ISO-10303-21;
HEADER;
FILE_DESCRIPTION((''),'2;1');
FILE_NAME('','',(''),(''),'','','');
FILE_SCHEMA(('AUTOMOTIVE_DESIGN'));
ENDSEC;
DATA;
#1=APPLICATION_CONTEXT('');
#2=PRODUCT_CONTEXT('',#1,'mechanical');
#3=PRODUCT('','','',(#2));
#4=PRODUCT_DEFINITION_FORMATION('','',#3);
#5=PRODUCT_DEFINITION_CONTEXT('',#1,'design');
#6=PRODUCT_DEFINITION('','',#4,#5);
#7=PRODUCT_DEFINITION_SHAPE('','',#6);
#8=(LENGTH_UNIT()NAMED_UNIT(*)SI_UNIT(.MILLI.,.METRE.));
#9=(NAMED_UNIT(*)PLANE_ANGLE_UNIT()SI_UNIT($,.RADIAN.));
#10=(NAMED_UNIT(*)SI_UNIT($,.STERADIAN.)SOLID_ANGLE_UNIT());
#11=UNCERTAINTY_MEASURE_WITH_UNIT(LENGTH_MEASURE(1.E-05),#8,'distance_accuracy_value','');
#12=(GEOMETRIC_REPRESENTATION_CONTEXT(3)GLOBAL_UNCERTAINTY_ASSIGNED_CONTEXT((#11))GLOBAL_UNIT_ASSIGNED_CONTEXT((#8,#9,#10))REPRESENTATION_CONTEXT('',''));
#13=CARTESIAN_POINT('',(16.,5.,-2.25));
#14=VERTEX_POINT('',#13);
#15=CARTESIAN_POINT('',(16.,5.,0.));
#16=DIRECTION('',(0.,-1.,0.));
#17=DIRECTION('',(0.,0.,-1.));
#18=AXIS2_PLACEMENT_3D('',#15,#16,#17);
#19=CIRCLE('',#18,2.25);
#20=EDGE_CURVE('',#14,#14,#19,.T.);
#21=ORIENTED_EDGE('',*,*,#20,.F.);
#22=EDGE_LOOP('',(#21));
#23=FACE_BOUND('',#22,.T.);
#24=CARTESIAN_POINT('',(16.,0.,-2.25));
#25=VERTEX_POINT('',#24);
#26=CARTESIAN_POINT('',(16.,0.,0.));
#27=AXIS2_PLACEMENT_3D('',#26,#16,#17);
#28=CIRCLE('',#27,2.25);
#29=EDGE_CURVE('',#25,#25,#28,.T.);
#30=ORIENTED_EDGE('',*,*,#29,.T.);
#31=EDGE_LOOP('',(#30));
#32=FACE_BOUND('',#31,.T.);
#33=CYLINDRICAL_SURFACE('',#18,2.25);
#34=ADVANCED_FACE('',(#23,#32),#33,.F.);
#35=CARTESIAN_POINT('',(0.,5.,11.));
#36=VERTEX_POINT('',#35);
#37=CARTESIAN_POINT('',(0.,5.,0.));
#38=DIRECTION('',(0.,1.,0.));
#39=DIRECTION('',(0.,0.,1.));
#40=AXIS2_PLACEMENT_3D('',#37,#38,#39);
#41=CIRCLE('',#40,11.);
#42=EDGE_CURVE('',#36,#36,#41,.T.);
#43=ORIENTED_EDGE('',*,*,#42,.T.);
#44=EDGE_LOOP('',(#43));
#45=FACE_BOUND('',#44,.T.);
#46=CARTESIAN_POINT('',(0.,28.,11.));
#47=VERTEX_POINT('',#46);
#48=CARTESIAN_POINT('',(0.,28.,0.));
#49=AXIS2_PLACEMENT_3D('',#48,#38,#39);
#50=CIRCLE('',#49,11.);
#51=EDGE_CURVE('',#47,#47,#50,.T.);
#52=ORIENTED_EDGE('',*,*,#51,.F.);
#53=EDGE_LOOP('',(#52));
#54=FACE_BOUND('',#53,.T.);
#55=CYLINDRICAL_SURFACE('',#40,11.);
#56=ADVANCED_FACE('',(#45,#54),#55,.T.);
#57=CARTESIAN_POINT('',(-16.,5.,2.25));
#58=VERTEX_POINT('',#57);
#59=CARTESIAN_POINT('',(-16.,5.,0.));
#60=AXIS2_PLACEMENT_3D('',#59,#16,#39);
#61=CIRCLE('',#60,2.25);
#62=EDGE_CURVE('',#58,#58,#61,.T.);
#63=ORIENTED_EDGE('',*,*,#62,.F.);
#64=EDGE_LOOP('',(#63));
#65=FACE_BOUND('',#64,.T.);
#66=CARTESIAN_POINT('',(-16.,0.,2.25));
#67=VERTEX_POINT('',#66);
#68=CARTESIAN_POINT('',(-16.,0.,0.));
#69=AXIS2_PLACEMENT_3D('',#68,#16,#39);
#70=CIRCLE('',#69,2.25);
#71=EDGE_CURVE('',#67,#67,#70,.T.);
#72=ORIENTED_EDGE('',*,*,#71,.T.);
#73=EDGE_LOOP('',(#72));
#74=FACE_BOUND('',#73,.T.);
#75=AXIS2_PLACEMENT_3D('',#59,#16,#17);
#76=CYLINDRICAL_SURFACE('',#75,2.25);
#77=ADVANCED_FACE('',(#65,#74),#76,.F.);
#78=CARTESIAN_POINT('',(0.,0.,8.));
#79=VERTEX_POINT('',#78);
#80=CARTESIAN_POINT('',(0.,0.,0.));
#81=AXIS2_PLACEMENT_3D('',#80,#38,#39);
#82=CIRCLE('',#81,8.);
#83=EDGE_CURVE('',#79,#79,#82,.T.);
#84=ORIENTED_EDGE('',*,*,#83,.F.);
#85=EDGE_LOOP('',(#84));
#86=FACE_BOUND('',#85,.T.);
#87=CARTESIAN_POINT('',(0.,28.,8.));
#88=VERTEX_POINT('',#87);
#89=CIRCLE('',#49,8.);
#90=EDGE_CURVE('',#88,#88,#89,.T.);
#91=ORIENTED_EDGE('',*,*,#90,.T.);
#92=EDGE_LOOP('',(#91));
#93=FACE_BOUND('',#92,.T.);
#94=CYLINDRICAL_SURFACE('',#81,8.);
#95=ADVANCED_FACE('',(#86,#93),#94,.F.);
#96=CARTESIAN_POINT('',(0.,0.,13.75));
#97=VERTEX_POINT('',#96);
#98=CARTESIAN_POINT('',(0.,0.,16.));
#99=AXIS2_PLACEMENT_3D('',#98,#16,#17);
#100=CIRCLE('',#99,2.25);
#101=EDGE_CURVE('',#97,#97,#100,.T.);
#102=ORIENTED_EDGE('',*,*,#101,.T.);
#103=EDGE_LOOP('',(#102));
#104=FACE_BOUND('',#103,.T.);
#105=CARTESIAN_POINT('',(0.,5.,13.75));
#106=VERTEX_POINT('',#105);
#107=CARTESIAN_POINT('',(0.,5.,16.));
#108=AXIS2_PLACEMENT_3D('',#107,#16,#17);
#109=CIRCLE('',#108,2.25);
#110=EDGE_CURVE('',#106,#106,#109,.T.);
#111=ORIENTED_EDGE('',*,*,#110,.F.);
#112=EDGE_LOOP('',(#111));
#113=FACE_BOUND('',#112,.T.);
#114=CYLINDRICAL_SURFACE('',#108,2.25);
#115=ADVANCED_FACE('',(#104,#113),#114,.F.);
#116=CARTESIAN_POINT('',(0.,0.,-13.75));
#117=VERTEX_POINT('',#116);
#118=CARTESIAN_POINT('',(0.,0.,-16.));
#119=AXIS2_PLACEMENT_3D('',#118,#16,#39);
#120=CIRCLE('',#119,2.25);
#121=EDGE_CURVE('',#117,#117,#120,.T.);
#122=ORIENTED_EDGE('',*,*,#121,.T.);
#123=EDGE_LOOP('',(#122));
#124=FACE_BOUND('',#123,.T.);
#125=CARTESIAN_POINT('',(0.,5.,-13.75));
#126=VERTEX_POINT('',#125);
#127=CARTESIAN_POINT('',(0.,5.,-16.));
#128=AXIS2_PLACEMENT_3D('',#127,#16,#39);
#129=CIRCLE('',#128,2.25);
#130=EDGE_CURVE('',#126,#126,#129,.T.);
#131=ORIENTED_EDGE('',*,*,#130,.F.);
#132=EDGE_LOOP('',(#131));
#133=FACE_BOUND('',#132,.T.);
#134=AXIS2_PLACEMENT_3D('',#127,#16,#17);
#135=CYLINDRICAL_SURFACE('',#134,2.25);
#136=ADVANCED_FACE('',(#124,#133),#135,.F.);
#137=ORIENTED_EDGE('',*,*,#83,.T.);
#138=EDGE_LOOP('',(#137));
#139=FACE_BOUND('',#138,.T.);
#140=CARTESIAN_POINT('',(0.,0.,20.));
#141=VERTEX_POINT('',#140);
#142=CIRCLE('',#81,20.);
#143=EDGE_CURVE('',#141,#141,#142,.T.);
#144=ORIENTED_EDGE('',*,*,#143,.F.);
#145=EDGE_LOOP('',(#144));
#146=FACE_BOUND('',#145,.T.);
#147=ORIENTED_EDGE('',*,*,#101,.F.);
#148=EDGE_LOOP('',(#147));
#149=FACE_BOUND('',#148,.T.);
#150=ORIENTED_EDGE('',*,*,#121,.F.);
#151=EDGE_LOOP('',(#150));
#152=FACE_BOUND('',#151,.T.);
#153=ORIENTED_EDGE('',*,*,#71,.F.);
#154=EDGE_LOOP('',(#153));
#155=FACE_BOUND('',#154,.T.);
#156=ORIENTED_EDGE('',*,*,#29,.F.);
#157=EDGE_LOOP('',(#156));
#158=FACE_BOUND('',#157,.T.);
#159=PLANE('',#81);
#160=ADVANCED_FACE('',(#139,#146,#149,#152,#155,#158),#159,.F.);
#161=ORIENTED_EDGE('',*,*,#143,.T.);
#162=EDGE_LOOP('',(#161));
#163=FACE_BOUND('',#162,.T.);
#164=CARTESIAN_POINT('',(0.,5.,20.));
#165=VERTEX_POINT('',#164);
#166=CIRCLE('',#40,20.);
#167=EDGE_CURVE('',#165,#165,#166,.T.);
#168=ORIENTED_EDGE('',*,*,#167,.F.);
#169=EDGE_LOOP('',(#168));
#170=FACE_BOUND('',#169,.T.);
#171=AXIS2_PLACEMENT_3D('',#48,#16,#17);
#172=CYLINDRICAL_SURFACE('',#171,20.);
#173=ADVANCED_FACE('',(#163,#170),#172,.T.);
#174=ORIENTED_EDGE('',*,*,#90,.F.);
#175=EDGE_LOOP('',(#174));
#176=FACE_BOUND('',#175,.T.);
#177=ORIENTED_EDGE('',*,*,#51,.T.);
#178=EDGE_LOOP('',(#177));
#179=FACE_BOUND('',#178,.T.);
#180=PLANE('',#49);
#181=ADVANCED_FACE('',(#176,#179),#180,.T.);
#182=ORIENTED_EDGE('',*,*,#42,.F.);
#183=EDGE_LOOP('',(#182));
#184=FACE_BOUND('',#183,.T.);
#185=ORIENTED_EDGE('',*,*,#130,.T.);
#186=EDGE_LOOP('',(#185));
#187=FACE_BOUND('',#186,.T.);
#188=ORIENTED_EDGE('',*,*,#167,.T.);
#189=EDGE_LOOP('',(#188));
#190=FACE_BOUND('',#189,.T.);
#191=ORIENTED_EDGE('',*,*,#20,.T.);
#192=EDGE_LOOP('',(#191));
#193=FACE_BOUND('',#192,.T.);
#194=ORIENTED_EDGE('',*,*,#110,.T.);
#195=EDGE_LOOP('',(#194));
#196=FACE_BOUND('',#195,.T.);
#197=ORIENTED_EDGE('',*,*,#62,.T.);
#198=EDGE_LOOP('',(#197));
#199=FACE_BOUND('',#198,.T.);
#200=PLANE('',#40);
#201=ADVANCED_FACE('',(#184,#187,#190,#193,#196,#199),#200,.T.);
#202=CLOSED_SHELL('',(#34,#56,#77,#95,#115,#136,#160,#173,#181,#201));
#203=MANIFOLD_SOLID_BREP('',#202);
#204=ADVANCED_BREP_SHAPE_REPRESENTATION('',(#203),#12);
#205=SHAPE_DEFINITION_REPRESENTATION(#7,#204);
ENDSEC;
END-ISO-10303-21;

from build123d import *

# Parameters (mm, degrees)
SKETCH_1_R          = 20
EXTRUDE_1_DEPTH     = 28
SKETCH_2_OUTSIDE_W  = 54.624
SKETCH_2_OUTSIDE_H  = 54.624
SKETCH_2_OUTSIDE_R  = 11
CUT_EXTRUDE_1_DEPTH = 23
SKETCH_3_R          = 8
CUT_EXTRUDE_2_DEPTH = 28
SKETCH_4_R          = 2.25
CUT_EXTRUDE_3_DEPTH = 5


with BuildPart() as part:
    # 草图1 → 凸台-拉伸1 (new body)
    with BuildSketch(Plane(origin=(0, 0, 0), x_dir=(1, 0, 0), z_dir=(0, 1, 0))):
        with Locations(Location((0, 0, 0), (0, 0, 270))):
            Circle(SKETCH_1_R)
    extrude(amount=EXTRUDE_1_DEPTH)

    # 草图2 outside → 切除-拉伸1 (cut)
    with BuildSketch(Plane(origin=(0, 28, 0), x_dir=(1, 0, 0), z_dir=(0, 1, 0))):
        Rectangle(SKETCH_2_OUTSIDE_W, SKETCH_2_OUTSIDE_H)
        with Locations(Location((0, 0, 0), (0, 0, 270))):
            Circle(SKETCH_2_OUTSIDE_R, mode=Mode.SUBTRACT)
    extrude(amount=-CUT_EXTRUDE_1_DEPTH, mode=Mode.SUBTRACT)

    # 草图3 → 切除-拉伸2 (cut)
    with BuildSketch(Plane(origin=(0, 28, 0), x_dir=(1, 0, 0), z_dir=(0, 1, 0))):
        with Locations(Location((0, 0, 0), (0, 0, 270))):
            Circle(SKETCH_3_R)
    extrude(amount=-CUT_EXTRUDE_2_DEPTH, mode=Mode.SUBTRACT)

    # 草图4 → 切除-拉伸3 (cut)
    with BuildSketch(Plane.XZ):
        with Locations(Location((0, 16, 0), (0, 0, 270))):
            Circle(SKETCH_4_R)
        with Locations(Location((16, 0, 0), (0, 0, 270))):
            Circle(SKETCH_4_R)
        with Locations(Location((0, -16, 0), (0, 0, 90))):
            Circle(SKETCH_4_R)
        with Locations(Location((-16, 0, 0), (0, 0, 90))):
            Circle(SKETCH_4_R)
    extrude(amount=-CUT_EXTRUDE_3_DEPTH, mode=Mode.SUBTRACT)


solid = part.part
